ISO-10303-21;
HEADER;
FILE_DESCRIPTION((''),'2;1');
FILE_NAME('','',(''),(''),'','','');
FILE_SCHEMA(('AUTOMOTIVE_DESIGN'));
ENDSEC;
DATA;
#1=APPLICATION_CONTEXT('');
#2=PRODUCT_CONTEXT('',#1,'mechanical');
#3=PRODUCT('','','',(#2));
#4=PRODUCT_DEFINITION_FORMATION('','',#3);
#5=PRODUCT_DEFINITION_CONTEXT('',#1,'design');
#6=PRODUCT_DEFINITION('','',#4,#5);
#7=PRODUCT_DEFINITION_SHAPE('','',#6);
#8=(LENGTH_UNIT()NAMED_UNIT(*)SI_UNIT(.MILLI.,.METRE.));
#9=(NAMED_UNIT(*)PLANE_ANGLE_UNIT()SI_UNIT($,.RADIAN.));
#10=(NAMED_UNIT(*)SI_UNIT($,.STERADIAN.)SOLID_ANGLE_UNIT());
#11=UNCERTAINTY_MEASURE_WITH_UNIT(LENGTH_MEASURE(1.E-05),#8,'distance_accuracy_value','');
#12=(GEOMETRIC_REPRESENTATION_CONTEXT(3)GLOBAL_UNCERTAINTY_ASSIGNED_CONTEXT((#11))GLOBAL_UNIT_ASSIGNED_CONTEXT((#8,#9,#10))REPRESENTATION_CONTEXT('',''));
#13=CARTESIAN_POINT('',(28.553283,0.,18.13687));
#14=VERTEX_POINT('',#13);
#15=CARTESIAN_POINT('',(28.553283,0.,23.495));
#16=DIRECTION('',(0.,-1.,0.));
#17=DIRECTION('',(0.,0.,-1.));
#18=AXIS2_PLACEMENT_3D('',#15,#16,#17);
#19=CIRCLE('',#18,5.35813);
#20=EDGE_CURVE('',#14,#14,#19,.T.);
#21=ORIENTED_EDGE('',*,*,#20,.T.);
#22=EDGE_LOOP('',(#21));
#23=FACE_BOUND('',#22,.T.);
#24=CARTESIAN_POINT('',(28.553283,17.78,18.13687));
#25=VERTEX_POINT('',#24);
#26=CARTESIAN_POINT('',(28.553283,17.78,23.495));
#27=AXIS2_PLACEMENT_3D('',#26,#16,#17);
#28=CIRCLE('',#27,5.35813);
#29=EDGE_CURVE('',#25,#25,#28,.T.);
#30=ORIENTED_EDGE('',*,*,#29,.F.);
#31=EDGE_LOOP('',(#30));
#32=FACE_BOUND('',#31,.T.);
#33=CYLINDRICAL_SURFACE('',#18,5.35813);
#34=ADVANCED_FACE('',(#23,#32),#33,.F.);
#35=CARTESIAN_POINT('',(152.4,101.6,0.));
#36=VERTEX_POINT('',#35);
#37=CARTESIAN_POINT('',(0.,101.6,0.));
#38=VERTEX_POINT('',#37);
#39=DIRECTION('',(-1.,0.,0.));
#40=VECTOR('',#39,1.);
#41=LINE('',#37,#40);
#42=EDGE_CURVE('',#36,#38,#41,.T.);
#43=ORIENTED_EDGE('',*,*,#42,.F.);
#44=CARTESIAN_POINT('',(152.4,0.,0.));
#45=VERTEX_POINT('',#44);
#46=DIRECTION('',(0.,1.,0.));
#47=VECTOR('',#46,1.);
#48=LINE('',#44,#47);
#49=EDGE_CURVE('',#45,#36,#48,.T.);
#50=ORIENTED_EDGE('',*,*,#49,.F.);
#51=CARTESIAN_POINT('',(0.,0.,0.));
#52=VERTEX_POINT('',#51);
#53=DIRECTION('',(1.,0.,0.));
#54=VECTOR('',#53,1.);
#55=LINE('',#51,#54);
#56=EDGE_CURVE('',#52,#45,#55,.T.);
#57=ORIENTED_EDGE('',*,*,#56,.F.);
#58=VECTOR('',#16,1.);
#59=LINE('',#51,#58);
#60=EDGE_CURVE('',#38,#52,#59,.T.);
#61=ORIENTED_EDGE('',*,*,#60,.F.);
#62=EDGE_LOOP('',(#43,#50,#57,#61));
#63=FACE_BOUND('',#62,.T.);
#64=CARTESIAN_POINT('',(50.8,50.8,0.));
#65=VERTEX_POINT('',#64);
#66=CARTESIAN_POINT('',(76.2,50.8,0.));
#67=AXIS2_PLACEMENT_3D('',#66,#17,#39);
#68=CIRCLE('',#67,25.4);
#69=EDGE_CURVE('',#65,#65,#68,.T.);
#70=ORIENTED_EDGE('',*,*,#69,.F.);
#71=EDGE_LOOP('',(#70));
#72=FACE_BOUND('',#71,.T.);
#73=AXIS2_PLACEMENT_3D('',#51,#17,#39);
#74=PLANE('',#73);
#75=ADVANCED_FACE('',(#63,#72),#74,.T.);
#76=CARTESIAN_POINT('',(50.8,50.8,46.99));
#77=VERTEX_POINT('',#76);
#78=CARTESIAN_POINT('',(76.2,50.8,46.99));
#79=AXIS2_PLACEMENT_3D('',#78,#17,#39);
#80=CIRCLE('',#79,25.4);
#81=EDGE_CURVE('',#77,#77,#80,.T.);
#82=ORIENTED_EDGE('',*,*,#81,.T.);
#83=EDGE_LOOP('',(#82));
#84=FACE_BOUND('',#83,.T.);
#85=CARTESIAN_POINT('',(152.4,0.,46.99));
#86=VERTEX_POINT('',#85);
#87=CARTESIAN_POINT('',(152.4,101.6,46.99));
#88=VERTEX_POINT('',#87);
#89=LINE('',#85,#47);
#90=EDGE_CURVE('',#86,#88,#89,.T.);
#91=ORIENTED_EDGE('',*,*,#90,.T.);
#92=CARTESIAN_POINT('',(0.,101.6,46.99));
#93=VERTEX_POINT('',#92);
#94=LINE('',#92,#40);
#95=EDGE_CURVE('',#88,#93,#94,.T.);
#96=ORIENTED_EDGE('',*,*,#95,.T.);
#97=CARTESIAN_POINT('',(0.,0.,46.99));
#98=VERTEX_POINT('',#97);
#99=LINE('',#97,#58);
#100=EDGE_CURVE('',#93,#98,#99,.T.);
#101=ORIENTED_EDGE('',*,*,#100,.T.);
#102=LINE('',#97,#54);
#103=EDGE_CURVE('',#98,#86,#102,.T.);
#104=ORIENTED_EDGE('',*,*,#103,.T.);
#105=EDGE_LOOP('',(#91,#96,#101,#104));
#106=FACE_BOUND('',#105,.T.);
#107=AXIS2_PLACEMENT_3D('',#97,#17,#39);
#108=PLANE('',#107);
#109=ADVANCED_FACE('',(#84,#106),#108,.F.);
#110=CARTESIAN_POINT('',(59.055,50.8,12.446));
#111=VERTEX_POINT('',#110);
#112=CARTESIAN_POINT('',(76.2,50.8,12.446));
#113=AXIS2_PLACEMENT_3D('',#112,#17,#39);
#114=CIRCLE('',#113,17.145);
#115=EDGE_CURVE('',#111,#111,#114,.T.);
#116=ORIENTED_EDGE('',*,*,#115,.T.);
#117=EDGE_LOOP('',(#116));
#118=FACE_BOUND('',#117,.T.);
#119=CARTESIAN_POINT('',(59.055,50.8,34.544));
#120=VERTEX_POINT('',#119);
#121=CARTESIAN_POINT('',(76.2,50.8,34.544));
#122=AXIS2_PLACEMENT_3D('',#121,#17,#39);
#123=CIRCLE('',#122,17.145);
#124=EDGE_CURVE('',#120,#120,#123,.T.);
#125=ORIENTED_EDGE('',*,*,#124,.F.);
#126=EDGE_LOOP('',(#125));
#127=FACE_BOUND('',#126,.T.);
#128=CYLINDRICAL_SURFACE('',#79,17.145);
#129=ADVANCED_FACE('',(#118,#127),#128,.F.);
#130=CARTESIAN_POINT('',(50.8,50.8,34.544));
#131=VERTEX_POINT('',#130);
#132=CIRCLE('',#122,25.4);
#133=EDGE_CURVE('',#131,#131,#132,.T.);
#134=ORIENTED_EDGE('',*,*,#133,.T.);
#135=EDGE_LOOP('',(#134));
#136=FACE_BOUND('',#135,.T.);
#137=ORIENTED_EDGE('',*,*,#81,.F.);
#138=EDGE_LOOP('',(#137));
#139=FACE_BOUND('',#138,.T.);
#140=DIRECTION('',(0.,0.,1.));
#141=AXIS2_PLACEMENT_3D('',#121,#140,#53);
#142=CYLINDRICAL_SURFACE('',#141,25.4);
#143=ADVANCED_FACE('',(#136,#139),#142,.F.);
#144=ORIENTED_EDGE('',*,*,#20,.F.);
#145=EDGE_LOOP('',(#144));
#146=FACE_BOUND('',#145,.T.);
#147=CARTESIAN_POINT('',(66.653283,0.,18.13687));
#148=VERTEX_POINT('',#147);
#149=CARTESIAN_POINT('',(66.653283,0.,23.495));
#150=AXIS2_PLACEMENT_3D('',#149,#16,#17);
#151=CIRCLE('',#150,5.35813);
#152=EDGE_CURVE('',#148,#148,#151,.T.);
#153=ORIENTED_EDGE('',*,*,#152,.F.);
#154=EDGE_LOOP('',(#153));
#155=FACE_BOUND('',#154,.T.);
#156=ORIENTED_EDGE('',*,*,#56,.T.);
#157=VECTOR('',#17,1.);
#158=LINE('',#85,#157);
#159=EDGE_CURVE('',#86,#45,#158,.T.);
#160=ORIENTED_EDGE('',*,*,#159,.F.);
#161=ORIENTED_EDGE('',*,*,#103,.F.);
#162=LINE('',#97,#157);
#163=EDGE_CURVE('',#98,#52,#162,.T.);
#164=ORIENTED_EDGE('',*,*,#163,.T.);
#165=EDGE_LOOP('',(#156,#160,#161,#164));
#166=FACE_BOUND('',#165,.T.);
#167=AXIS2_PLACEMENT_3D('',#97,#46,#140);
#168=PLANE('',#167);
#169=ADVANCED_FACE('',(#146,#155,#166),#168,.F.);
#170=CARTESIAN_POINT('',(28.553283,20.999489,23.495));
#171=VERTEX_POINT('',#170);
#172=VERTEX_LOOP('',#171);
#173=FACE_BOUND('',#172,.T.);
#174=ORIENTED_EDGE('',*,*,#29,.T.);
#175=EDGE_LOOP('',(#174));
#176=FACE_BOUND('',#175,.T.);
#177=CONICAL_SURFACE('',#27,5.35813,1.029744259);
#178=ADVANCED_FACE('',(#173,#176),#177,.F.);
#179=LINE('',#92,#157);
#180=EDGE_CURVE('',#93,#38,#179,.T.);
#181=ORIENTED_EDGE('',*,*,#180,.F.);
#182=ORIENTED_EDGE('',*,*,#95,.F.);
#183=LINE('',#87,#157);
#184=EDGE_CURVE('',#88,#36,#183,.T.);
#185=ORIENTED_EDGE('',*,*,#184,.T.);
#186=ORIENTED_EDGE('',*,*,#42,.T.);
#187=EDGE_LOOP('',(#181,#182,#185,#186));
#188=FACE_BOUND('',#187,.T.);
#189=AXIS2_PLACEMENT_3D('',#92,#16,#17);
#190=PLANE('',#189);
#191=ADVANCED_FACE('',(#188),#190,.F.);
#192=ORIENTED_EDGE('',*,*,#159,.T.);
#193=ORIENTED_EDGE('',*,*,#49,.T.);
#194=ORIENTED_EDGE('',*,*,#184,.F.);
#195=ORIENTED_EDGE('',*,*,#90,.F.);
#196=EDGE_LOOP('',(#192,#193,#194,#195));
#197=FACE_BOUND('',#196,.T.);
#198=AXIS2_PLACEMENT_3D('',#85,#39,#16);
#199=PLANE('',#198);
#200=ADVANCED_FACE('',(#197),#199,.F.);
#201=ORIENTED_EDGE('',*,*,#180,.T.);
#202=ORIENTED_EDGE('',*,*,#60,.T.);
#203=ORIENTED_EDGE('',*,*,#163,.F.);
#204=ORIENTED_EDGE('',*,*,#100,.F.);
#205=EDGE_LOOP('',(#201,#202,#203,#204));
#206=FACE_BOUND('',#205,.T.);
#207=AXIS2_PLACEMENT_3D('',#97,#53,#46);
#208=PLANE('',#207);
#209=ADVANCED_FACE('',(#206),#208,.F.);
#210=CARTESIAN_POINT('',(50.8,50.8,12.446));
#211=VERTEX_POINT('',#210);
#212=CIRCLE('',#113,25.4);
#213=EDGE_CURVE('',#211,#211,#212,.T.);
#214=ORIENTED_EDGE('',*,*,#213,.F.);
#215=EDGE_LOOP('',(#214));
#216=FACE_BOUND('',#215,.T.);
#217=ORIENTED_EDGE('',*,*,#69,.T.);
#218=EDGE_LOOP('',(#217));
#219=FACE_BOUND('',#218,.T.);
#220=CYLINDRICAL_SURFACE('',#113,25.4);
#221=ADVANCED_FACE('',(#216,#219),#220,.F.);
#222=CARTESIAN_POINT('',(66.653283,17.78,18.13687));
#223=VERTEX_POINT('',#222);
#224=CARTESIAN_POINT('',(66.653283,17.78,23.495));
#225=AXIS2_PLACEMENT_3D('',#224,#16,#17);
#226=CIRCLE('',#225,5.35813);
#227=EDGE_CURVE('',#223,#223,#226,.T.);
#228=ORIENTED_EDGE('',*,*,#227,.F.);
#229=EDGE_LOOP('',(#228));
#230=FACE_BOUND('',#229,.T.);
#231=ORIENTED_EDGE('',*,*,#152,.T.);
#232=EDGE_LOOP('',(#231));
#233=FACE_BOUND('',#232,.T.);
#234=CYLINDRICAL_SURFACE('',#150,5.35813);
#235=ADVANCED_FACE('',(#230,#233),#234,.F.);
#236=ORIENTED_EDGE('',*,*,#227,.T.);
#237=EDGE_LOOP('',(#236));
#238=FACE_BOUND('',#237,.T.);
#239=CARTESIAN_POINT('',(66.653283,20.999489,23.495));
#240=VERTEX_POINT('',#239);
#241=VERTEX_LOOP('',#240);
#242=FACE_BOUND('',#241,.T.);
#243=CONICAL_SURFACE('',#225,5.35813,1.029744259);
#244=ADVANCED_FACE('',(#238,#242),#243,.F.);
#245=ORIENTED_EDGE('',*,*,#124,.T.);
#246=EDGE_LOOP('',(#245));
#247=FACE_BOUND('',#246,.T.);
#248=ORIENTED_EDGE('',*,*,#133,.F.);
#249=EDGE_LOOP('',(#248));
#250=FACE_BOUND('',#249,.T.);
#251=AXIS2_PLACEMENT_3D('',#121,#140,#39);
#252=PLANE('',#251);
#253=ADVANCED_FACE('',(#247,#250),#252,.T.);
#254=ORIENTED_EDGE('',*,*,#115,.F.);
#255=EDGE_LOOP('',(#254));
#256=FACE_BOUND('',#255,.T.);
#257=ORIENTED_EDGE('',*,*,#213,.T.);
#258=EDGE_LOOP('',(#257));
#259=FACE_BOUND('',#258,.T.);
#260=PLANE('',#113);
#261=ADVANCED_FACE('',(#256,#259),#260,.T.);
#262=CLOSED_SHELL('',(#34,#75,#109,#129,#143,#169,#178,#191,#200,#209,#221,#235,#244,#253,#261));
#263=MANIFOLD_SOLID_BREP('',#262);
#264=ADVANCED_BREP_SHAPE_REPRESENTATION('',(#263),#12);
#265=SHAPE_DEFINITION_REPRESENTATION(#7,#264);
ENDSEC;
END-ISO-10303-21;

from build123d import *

# Parameters (mm, degrees)
SKETCH1_W                       = 152.4
SKETCH1_H                       = 101.6
BOSS_EXTRUDE1_DEPTH             = 46.99
SKETCH2_R                       = 17.145
CUT_EXTRUDE1_DEPTH              = 190.093574983
SKETCH2_2_R                     = 25.4
SKETCH2_2_R_2                   = 17.145
CUT_EXTRUDE3_DEPTH              = 12.446
TAP_DRILL_FOR_1_2_13_TAP1_D     = 10.71626
TAP_DRILL_FOR_1_2_13_TAP1_DEPTH = 17.78
TAP_DRILL_FOR_1_2_13_TAP1_TIP   = 3.219489309


with BuildPart() as part:
    # Sketch1 → Boss-Extrude1 (new body)
    with BuildSketch(Plane.XY):
        with Locations((76.2, 50.8)):
            Rectangle(SKETCH1_W, SKETCH1_H)
    extrude(amount=BOSS_EXTRUDE1_DEPTH)

    # Sketch2 → Cut-Extrude1 (cut, through all)
    with BuildSketch(Plane(origin=(0, 0, 0), x_dir=(-1, 0, 0), z_dir=(0, 0, -1))):
        with Locations((-76.2, 50.8)):
            Circle(SKETCH2_R)
    extrude(amount=-CUT_EXTRUDE1_DEPTH, mode=Mode.SUBTRACT)

    # Sketch2<2> → Cut-Extrude3 (cut)
    with BuildSketch(Plane(origin=(0, 0, 0), x_dir=(-1, 0, 0), z_dir=(0, 0, -1))):
        with Locations((-76.2, 50.8)):
            Circle(SKETCH2_2_R)
        with Locations((-76.2, 50.8)):
            Circle(SKETCH2_2_R_2, mode=Mode.SUBTRACT)
    cut_extrude3 = extrude(amount=-CUT_EXTRUDE3_DEPTH, mode=Mode.SUBTRACT)

    # Mirror2: Cut-Extrude3 across plane
    add(cut_extrude3.mirror(Plane(origin=(0, 0, 23.495), x_dir=(1, 0, 0), z_dir=(0, 0, -1))), mode=Mode.SUBTRACT)

    # Tap Drill for 1/2-13 Tap1
    with Locations(Plane(origin=(0, 0, 0), x_dir=(-1, 0, 0), z_dir=(0, -1, 0))):
        with Locations((-66.653283, -23.495), (-28.553283, -23.495)):
            Hole(TAP_DRILL_FOR_1_2_13_TAP1_D / 2, depth=TAP_DRILL_FOR_1_2_13_TAP1_DEPTH)
            with Locations((0, 0, -(TAP_DRILL_FOR_1_2_13_TAP1_DEPTH + TAP_DRILL_FOR_1_2_13_TAP1_TIP / 2))):  # 118° drill point
                Cone(0, TAP_DRILL_FOR_1_2_13_TAP1_D / 2, TAP_DRILL_FOR_1_2_13_TAP1_TIP, mode=Mode.SUBTRACT)


solid = part.part
